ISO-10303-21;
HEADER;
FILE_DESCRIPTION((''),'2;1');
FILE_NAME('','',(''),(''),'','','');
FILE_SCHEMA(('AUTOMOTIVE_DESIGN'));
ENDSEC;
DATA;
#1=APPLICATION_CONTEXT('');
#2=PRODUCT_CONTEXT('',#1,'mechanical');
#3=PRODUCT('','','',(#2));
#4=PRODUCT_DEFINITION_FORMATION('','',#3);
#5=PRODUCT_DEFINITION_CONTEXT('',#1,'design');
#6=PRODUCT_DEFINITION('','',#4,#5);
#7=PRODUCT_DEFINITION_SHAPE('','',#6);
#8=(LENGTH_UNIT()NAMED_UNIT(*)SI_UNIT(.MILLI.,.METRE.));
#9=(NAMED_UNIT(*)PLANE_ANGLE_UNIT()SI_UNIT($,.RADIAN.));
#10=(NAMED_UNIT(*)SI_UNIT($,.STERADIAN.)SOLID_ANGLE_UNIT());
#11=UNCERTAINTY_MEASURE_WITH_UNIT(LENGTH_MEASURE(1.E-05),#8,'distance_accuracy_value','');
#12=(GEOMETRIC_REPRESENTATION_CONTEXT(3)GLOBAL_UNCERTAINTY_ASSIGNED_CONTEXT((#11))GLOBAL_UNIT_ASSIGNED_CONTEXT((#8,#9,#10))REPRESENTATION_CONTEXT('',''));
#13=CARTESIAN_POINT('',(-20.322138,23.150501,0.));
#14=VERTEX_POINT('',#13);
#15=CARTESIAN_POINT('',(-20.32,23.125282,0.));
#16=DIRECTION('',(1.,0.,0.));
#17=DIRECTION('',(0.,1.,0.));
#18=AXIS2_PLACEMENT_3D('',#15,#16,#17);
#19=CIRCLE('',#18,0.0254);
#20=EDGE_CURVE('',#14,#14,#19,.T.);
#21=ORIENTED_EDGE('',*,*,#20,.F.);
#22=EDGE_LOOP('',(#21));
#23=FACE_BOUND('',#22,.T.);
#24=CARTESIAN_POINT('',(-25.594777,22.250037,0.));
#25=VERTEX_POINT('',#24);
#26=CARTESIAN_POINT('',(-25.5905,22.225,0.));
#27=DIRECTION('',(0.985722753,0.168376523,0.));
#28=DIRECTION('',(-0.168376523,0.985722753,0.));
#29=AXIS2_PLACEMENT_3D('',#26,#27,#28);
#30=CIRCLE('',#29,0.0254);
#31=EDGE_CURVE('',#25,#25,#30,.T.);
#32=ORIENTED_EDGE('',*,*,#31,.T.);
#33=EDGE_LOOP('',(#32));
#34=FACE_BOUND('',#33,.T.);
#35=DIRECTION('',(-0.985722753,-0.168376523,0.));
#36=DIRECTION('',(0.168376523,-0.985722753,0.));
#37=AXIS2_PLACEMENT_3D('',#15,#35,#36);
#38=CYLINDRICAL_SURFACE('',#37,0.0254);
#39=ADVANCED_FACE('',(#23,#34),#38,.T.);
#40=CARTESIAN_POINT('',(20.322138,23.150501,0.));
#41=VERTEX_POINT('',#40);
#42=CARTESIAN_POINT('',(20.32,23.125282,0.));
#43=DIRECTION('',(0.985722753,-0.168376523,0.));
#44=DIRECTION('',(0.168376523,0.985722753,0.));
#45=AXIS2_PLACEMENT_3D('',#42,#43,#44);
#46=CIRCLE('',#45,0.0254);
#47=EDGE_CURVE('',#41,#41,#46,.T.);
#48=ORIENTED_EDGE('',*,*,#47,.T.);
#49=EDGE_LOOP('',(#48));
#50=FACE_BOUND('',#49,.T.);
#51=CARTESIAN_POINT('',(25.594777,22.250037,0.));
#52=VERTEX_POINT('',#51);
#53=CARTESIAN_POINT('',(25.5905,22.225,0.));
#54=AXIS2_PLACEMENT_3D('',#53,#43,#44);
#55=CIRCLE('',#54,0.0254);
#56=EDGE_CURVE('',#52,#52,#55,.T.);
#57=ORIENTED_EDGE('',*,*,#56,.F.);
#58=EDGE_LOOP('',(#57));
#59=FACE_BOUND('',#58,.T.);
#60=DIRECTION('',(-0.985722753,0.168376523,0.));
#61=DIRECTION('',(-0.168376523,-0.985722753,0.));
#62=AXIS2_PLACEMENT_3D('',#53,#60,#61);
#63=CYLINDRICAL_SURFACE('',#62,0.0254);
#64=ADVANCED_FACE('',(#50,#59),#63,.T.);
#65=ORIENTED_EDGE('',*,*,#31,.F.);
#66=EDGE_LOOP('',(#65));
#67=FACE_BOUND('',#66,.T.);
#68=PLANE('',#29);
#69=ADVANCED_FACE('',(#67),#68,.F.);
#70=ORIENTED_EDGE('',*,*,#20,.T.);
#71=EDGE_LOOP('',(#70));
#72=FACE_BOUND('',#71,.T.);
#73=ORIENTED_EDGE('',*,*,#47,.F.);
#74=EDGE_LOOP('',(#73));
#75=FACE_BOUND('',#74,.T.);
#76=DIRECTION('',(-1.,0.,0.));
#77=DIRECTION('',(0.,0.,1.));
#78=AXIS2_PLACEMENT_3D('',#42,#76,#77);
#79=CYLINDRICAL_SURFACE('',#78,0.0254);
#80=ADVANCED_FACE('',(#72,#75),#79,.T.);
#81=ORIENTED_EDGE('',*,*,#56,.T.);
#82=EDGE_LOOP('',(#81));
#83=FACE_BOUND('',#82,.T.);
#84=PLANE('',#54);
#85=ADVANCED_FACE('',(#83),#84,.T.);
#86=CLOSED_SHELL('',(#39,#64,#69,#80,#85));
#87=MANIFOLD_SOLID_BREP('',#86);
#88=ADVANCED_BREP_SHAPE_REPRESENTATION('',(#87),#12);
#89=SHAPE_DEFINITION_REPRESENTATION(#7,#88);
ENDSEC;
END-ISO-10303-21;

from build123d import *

# Parameters (mm, degrees)
SWEEP1_PROFILE_R = 0.0254


with BuildPart() as part:
    # Sweep1: sweep along a path in Sketch1
    with BuildLine(Plane.XY) as sweep1_path:
        Line((25.5905, 22.225), (20.32, 23.125282015))
        Line((20.32, 23.125282015), (-20.32, 23.125282015))
        Line((-20.32, 23.125282015), (-25.5905, 22.225))
    # Sweep1 profile (on start of the path) → Sweep1 (sweep)
    with BuildSketch(Plane(origin=(25.5905, 22.225, 0), x_dir=(-0.16837652342244713, -0.9857227532933234, 0), z_dir=(-0.9857227532933234, 0.16837652342244713, 0))):
        Circle(SWEEP1_PROFILE_R)
    sweep(path=sweep1_path.line, transition=Transition.RIGHT)


solid = part.part
